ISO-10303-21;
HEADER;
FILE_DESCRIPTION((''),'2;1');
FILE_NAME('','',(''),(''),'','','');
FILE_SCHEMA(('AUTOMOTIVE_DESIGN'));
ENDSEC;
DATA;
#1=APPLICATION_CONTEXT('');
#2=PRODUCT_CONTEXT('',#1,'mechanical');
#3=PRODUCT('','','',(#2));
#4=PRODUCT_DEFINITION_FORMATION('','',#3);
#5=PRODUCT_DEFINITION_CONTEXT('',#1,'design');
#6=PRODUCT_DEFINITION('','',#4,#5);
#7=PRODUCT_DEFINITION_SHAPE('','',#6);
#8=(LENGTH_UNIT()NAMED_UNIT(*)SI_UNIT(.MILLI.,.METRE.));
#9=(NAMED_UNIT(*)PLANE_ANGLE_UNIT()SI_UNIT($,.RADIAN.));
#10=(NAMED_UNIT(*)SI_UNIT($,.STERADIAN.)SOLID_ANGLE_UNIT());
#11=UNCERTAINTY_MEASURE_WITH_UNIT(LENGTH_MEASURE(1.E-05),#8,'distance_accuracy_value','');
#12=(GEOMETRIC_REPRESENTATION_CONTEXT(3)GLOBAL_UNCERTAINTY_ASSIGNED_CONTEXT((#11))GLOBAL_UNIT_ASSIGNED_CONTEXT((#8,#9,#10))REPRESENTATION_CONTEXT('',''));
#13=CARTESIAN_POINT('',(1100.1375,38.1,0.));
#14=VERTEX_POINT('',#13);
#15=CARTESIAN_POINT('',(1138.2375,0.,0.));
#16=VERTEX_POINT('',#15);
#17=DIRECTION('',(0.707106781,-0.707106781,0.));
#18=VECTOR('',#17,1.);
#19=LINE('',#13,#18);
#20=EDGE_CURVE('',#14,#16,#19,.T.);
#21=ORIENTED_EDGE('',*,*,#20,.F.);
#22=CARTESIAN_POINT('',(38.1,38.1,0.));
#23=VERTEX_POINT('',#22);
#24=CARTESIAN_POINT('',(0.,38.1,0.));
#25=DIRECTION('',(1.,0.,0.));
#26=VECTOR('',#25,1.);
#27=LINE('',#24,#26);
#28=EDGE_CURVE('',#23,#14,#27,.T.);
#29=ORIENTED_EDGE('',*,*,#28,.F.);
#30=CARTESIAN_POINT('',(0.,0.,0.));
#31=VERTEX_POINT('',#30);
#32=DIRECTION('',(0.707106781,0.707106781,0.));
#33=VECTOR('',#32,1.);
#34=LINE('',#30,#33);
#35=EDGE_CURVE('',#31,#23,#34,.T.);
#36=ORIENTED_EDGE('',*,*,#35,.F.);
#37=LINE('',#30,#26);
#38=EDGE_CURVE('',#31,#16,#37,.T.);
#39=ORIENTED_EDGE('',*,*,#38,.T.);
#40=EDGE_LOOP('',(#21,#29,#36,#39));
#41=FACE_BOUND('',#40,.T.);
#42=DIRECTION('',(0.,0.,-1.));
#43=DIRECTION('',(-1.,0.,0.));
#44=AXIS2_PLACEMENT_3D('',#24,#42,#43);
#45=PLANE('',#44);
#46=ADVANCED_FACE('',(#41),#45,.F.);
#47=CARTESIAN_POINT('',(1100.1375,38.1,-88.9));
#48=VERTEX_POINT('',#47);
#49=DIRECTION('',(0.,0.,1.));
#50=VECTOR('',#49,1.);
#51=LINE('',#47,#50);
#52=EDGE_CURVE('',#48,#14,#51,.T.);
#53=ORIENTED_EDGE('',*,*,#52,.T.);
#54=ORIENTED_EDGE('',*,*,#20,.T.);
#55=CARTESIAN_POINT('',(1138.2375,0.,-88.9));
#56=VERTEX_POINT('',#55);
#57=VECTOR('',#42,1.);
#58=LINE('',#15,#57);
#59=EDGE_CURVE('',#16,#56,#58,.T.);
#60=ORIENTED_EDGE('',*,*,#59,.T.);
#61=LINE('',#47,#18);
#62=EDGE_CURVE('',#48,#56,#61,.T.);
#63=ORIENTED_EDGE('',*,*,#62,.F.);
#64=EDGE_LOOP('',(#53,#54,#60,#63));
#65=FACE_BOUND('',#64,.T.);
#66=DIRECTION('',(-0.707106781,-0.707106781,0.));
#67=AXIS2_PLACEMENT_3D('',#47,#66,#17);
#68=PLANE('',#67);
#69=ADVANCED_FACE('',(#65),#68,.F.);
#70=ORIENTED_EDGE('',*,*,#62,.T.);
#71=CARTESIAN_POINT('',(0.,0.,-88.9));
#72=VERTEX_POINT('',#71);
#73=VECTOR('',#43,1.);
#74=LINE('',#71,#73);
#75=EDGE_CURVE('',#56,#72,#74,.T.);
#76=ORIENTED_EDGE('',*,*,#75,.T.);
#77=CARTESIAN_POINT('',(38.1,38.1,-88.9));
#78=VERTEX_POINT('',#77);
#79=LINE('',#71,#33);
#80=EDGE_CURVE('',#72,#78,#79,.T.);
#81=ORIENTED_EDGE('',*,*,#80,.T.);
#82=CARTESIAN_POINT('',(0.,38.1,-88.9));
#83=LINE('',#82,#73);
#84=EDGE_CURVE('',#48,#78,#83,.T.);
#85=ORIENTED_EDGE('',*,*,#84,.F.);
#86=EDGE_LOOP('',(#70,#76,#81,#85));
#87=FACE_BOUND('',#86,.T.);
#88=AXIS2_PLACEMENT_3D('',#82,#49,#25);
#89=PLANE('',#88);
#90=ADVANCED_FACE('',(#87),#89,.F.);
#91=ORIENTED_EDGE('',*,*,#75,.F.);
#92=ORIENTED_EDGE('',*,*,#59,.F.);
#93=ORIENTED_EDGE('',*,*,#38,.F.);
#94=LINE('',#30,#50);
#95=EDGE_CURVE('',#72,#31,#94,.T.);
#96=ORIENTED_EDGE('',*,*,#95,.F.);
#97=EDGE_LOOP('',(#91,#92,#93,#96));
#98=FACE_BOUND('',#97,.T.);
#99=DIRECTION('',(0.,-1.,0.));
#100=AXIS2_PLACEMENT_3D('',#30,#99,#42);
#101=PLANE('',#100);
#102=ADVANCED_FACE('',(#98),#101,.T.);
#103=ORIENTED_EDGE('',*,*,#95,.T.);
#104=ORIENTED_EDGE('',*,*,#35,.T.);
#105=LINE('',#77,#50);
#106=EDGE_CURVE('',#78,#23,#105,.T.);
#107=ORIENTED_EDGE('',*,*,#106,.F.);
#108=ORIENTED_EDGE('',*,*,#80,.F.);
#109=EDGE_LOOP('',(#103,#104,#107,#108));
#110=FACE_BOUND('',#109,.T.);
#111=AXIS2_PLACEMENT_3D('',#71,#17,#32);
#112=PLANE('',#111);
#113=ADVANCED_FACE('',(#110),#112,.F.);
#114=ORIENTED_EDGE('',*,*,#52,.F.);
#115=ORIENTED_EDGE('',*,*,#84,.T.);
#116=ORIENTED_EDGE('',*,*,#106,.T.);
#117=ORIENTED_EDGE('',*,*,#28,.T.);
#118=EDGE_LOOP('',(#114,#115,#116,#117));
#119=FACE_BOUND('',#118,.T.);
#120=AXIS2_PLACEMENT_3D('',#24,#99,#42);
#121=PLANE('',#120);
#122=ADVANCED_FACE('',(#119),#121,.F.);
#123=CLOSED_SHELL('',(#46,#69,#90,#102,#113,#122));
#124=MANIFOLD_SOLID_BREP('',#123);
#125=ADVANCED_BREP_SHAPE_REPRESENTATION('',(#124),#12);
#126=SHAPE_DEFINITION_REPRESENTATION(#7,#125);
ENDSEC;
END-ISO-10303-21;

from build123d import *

# Parameters (mm, degrees)
SKETCH1_W           = 1138.2375
SKETCH1_H           = 88.9
BOSS_EXTRUDE1_DEPTH = 38.1
CUT_EXTRUDE1_DEPTH  = 89.9


with BuildPart() as part:
    # Sketch1 → Boss-Extrude1 (new body)
    with BuildSketch(Plane(origin=(0, 0, 0), x_dir=(1, 0, 0), z_dir=(0, 1, 0))):
        with Locations((569.11875, 44.45)):
            Rectangle(SKETCH1_W, SKETCH1_H)
    extrude(amount=BOSS_EXTRUDE1_DEPTH)

    # Sketch2 → Cut-Extrude1 (cut, through all)
    with BuildSketch(Plane.XY):
        Polygon((0, 0), (38.1, 38.1), (0, 38.1), align=None)
        Polygon((1138.2375, 0), (1138.2375, 38.1), (1100.1375, 38.1), align=None)
    extrude(amount=-CUT_EXTRUDE1_DEPTH, mode=Mode.SUBTRACT)


solid = part.part
